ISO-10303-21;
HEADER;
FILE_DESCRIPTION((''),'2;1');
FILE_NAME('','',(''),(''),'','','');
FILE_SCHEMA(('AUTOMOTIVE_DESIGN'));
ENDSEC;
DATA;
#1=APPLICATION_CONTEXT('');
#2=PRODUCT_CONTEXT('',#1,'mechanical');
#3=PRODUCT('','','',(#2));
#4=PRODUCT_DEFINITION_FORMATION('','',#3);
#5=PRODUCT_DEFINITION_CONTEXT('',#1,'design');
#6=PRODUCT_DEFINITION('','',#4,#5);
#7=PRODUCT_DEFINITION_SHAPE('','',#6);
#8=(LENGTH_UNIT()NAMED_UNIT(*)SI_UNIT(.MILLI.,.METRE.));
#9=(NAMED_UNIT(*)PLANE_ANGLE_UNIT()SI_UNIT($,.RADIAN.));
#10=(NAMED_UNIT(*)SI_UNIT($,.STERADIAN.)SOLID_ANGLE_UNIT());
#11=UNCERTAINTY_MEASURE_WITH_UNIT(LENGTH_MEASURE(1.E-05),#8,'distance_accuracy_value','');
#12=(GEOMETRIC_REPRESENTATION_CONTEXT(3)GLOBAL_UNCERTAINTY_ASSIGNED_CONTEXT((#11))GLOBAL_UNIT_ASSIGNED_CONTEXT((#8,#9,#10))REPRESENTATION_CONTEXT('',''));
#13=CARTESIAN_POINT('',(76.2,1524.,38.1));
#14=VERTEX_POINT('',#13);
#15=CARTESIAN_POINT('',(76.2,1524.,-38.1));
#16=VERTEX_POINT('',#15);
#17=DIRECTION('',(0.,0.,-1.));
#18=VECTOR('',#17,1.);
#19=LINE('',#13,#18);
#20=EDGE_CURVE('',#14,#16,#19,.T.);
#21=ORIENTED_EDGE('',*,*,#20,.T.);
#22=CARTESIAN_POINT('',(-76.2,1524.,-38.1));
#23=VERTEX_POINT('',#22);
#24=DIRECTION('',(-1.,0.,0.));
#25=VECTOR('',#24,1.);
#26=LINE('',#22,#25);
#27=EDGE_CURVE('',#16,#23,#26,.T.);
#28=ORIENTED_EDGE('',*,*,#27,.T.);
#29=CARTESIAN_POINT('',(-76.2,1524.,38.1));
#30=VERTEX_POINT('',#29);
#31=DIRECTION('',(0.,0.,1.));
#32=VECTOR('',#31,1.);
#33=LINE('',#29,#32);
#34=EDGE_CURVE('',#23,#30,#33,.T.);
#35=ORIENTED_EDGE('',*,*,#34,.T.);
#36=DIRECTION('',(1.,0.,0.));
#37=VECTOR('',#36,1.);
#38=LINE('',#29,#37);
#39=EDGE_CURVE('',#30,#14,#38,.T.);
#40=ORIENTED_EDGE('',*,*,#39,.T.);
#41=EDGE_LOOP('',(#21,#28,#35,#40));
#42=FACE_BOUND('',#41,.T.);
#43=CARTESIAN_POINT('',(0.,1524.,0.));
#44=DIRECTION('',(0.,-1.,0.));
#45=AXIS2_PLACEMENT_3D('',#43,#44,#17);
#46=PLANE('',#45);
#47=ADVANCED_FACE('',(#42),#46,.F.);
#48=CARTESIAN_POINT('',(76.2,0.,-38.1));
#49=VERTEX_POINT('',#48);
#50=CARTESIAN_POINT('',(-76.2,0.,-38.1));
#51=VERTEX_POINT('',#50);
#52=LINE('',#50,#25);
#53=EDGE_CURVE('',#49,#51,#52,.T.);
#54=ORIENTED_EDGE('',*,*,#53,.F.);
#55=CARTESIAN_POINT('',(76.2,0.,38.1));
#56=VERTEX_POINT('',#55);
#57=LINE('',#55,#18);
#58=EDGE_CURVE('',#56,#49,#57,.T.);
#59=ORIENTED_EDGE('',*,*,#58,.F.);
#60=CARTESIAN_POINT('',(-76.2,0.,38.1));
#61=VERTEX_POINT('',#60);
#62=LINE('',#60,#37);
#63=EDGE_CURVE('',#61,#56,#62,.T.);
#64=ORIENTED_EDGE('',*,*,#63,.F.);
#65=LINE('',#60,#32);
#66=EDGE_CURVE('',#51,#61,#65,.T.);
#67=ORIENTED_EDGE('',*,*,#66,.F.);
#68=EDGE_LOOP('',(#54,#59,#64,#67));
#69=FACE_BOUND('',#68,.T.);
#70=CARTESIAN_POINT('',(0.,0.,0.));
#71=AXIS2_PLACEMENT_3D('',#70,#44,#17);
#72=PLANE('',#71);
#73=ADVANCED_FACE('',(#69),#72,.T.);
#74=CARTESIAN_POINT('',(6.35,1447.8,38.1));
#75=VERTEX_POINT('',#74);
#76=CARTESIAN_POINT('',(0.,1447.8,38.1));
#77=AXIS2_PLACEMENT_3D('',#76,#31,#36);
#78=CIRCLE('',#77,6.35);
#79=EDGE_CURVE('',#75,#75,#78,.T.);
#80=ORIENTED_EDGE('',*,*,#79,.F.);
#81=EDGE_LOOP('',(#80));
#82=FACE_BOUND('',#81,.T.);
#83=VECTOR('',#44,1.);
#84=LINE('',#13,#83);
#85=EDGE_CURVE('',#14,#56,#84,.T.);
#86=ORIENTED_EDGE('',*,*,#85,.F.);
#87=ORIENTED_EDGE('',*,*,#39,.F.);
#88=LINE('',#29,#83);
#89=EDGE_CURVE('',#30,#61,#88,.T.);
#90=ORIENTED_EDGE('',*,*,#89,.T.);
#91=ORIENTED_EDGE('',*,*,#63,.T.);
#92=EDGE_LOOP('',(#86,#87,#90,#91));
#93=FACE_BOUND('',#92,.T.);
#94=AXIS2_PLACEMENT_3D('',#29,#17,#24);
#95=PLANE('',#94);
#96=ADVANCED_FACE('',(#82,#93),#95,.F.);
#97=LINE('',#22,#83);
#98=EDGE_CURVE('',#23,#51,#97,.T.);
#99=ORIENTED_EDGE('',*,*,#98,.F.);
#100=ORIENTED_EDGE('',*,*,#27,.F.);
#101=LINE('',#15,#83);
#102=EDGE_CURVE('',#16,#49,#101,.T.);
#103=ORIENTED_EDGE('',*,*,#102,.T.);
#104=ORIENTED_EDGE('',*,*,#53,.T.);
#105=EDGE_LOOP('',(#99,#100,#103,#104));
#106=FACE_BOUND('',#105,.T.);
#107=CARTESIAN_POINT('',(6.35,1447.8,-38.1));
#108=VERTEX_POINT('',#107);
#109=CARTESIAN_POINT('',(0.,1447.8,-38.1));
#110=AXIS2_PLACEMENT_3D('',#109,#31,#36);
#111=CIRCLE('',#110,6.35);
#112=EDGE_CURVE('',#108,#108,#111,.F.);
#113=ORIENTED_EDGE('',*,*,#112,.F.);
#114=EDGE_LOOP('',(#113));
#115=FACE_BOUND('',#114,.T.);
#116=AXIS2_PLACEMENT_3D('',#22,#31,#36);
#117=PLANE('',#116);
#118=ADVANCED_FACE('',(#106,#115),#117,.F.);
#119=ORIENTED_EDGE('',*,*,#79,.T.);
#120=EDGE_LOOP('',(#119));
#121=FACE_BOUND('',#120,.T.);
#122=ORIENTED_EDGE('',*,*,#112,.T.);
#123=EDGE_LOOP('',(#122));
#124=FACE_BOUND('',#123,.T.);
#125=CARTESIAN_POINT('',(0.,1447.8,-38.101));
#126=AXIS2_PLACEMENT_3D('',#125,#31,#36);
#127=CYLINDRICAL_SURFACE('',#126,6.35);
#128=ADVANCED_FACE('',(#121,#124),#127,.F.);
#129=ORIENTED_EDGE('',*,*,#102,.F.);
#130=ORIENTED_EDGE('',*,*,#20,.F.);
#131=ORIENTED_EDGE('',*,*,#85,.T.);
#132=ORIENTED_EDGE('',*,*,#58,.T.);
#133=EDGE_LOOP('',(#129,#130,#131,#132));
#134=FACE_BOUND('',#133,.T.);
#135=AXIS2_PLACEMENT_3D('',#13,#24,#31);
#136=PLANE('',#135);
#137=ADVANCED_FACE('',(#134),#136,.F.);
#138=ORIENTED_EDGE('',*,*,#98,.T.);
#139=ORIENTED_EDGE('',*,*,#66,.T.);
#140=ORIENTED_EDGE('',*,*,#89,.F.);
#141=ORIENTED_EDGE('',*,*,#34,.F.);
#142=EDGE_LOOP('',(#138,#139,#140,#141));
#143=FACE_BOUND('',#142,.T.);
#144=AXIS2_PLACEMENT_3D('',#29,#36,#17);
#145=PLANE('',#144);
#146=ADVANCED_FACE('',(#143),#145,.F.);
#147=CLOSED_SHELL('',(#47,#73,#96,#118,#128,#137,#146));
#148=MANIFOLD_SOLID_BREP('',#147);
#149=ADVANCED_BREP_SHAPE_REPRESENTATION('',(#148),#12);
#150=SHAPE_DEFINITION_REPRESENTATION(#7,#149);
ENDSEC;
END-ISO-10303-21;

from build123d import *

# Parameters (mm, degrees)
SKETCH1_W           = 152.4
SKETCH1_H           = 76.2
BOSS_EXTRUDE1_DEPTH = 1524
CUT_EXTRUDE1_REACH  = 1529.805
SKETCH2_R           = 6.35


with BuildPart() as part:
    # Sketch1 → Boss-Extrude1 (new body)
    with BuildSketch(Plane(origin=(0, 0, 0), x_dir=(1, 0, 0), z_dir=(0, 1, 0))):
        Rectangle(SKETCH1_W, SKETCH1_H)
    extrude(amount=BOSS_EXTRUDE1_DEPTH)

    # Sketch2 → Cut-Extrude1 (cut, up to next)
    with BuildSketch(Plane.XY.offset(38.1), mode=Mode.PRIVATE) as cut_extrude1_sk1:
        with Locations((0, 1447.8)):
            Circle(SKETCH2_R)
    cut_extrude1_tool1 = extrude(cut_extrude1_sk1.sketch, amount=-CUT_EXTRUDE1_REACH, mode=Mode.PRIVATE) & part.part
    add(cut_extrude1_tool1.solids().sort_by_distance((0, 1447.8, 38.1))[0], mode=Mode.SUBTRACT)


solid = part.part
